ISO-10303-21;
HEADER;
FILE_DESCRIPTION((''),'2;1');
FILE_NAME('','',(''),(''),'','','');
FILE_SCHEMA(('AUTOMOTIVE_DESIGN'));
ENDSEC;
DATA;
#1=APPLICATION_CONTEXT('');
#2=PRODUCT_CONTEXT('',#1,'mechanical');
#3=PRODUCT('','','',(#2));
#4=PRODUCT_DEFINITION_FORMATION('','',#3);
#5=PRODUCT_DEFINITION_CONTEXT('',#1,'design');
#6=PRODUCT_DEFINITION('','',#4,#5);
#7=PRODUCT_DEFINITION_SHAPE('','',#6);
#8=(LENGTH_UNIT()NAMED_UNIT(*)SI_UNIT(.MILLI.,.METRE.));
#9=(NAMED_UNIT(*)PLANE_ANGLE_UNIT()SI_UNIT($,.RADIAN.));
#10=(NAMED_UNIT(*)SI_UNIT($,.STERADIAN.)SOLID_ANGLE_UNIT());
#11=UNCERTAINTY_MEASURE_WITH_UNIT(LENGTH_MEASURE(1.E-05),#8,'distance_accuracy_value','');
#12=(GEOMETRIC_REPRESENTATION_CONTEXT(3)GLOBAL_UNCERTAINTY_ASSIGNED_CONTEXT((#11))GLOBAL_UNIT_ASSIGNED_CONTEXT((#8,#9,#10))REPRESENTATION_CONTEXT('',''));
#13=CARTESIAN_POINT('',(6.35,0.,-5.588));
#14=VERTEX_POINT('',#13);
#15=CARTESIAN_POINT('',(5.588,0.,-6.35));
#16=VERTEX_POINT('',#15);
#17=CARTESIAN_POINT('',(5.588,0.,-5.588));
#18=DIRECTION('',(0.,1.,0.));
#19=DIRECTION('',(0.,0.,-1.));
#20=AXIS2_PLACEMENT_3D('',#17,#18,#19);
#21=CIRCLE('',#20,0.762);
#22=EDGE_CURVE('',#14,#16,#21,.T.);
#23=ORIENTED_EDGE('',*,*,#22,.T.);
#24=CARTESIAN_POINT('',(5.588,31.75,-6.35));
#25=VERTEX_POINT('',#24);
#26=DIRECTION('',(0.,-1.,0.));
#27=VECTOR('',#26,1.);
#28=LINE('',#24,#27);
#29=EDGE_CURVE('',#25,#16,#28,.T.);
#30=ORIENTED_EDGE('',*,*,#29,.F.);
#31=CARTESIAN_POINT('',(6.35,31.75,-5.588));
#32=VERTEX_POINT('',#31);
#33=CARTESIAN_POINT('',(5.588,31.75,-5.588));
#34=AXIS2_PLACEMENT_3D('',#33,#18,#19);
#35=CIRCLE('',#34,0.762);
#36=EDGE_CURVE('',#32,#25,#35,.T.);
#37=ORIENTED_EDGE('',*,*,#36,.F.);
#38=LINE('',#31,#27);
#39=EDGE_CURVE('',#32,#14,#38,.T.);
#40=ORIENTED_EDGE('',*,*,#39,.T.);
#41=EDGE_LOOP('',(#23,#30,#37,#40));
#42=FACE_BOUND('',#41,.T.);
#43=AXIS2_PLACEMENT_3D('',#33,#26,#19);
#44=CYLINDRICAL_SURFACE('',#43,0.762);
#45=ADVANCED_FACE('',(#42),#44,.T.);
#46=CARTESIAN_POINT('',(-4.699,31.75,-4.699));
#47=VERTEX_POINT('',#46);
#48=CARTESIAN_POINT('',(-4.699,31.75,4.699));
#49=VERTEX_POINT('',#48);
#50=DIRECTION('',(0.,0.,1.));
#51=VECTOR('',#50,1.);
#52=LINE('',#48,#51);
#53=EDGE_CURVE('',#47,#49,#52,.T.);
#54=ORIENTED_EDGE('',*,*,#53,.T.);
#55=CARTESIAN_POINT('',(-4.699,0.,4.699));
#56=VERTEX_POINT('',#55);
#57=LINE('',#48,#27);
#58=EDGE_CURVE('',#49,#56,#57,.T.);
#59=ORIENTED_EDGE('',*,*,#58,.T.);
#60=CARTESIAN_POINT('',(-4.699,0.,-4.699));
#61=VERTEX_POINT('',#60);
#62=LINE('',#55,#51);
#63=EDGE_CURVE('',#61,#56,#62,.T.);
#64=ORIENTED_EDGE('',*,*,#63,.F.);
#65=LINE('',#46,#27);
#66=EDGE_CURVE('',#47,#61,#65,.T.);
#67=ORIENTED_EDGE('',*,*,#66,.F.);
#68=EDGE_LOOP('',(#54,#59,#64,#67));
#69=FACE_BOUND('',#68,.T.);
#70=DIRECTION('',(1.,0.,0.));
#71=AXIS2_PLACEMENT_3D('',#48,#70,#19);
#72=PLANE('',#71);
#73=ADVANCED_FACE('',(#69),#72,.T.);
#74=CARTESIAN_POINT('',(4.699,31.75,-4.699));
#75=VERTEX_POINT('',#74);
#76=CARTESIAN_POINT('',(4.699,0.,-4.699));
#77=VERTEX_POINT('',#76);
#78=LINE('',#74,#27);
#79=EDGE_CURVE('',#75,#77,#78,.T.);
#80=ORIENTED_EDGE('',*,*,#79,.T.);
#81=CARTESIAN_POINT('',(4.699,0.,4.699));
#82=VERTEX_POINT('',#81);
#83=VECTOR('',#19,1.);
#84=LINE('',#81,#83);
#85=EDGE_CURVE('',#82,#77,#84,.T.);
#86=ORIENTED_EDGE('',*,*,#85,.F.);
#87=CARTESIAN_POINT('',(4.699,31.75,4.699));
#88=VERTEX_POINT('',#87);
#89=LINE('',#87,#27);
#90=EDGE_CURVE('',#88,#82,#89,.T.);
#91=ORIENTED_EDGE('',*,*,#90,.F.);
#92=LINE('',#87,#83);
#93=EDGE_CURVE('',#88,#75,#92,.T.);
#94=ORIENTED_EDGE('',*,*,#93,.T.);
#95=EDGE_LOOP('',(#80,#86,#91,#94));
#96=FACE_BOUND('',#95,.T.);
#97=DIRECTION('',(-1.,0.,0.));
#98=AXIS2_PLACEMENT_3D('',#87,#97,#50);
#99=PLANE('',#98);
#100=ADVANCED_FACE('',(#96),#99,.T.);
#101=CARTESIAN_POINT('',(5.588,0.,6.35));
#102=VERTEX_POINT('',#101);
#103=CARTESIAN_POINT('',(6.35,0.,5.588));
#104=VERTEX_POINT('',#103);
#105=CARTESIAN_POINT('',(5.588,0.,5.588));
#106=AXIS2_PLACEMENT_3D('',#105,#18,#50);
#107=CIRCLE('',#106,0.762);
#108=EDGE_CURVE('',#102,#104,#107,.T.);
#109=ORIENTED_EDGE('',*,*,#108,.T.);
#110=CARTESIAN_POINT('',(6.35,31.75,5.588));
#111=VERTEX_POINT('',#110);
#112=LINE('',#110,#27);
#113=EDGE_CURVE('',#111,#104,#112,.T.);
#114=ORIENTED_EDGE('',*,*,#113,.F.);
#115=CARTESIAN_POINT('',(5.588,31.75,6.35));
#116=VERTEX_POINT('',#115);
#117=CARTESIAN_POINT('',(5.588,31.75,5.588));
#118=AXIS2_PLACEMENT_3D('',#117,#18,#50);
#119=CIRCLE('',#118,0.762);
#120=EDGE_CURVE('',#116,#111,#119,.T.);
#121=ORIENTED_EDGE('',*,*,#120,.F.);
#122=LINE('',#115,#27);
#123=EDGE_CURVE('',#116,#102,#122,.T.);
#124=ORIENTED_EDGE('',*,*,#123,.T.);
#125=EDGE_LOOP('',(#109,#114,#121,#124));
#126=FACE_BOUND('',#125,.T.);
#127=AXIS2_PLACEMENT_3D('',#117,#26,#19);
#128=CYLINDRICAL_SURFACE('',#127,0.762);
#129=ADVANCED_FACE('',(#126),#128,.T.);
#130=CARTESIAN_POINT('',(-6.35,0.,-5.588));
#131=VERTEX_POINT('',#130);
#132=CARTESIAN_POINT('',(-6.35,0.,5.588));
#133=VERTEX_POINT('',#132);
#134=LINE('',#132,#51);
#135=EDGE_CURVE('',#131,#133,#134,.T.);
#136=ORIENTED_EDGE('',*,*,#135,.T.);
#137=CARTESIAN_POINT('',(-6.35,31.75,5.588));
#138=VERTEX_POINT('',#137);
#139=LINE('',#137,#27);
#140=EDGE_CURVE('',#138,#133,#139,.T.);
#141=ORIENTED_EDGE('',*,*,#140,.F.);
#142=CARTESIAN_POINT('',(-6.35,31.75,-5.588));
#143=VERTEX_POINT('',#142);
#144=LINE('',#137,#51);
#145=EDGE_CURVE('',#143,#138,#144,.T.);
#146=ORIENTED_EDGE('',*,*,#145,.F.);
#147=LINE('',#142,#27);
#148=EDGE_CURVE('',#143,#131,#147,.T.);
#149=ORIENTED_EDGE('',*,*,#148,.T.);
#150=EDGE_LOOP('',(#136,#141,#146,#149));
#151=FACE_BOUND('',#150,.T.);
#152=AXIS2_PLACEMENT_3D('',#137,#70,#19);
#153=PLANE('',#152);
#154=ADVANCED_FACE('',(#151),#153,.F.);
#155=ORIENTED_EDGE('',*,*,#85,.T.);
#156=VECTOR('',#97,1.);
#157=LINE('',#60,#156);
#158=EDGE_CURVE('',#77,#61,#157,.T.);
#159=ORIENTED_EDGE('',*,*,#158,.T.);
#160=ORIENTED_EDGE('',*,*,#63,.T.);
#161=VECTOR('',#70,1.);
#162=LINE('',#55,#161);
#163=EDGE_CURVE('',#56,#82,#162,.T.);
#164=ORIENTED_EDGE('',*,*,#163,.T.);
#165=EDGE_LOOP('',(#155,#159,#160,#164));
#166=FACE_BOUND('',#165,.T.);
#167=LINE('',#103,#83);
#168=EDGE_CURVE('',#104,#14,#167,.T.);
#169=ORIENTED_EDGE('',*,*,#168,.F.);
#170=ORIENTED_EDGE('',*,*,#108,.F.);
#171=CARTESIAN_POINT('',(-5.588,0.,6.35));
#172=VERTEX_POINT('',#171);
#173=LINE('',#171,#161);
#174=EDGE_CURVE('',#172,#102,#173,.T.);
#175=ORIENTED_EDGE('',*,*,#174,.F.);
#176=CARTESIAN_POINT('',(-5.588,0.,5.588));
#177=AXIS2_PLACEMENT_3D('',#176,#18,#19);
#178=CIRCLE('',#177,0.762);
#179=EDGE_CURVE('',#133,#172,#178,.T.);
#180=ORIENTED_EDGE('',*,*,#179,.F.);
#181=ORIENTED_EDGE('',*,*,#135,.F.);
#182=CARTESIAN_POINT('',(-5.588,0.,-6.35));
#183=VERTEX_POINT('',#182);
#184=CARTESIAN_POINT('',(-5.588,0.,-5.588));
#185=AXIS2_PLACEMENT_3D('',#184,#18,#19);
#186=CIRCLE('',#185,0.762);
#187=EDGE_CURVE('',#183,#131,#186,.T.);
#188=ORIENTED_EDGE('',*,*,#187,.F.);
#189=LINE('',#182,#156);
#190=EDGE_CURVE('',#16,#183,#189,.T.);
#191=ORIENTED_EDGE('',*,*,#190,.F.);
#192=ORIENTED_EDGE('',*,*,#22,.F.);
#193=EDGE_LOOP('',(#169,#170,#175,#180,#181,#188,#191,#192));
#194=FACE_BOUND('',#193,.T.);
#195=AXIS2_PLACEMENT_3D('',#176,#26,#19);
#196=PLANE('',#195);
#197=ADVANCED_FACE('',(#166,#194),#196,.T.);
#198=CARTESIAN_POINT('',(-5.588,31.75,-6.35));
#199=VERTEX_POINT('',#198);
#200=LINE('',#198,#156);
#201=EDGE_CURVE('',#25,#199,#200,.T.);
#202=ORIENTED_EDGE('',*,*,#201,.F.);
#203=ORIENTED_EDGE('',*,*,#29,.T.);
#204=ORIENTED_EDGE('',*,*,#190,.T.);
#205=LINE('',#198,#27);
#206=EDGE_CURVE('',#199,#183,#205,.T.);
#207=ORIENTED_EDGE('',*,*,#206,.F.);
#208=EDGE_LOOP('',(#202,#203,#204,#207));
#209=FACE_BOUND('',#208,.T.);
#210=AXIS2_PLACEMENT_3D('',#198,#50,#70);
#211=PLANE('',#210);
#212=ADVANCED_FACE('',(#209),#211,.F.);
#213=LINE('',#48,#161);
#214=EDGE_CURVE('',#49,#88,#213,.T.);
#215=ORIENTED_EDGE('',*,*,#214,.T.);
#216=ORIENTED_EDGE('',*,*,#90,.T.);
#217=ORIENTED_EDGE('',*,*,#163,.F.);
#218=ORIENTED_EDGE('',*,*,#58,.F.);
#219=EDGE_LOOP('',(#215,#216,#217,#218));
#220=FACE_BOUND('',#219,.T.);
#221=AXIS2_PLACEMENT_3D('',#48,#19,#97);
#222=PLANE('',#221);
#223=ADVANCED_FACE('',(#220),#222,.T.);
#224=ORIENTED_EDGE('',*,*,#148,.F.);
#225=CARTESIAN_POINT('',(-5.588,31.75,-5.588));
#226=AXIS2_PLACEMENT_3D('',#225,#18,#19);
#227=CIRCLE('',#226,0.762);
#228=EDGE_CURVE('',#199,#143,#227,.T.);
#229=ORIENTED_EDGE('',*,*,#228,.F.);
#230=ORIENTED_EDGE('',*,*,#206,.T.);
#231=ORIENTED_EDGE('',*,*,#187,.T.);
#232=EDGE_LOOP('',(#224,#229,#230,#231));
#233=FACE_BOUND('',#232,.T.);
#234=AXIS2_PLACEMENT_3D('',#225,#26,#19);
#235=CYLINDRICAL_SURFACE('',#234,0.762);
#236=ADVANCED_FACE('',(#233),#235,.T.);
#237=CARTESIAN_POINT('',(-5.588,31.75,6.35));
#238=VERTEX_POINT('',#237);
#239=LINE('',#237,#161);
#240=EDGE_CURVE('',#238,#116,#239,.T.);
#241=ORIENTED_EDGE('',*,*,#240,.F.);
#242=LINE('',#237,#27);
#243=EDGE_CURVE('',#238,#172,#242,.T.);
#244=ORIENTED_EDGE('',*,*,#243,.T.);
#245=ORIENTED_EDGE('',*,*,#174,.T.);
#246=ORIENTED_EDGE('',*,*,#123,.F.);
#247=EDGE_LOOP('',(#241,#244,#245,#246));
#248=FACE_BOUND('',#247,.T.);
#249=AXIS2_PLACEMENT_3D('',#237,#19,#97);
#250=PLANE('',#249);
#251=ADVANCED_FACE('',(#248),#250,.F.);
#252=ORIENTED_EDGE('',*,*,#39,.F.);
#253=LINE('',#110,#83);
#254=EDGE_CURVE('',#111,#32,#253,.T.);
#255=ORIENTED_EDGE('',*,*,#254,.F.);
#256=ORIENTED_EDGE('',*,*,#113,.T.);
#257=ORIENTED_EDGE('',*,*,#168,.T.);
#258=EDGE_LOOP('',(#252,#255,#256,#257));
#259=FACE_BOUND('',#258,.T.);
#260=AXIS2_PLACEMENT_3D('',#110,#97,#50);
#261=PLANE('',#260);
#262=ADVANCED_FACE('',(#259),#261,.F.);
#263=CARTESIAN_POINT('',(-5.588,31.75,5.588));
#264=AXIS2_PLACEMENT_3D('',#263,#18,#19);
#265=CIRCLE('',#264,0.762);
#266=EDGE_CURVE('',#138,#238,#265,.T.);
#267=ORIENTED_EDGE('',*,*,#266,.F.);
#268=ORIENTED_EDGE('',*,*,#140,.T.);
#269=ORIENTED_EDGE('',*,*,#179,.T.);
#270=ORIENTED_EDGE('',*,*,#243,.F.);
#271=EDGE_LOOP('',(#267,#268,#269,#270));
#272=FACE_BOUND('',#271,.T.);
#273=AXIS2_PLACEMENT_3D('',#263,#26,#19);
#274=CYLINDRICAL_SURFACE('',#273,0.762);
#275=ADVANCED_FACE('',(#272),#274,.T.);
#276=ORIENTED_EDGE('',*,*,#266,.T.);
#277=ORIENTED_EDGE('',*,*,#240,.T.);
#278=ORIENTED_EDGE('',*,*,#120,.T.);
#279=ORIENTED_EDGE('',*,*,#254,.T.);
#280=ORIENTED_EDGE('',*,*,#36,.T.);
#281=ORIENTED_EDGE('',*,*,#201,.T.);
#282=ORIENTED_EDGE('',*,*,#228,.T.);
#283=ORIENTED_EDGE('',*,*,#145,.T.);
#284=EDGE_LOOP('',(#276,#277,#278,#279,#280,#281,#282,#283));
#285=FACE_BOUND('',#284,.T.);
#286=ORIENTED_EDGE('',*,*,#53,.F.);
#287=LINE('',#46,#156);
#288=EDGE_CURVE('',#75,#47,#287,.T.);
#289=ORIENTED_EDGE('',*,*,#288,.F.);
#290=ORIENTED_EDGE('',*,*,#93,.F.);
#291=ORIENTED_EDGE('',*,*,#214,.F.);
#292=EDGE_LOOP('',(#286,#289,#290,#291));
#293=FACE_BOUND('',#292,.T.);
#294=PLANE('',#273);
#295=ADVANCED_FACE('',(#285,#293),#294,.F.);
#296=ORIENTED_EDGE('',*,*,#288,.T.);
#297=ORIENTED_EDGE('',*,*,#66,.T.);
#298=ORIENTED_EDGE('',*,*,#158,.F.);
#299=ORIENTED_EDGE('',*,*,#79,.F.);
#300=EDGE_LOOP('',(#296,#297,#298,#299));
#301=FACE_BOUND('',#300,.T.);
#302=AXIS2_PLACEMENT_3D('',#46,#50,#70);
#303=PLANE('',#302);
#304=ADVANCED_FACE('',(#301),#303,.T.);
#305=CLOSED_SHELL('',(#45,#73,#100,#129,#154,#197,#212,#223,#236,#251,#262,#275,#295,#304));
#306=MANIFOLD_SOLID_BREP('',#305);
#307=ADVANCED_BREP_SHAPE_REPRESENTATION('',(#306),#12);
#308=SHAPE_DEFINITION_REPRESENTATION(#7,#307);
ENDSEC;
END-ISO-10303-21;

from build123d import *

# Parameters (mm, degrees)
SKETCH1_W           = 9.398
SKETCH1_H           = 9.398
BOSS_EXTRUDE1_DEPTH = 31.75


with BuildPart() as part:
    # Sketch1 → Boss-Extrude1 (new body)
    with BuildSketch(Plane(origin=(0, 0, 0), x_dir=(1, 0, 0), z_dir=(0, 1, 0))):
        with BuildLine():
            Line((-5.588, -6.35), (5.588, -6.35))
            ThreePointArc((5.588, -6.35), (6.126815367, -6.126815367), (6.35, -5.588))
            Line((6.35, -5.588), (6.35, 5.588))
            ThreePointArc((6.35, 5.588), (6.126815367, 6.126815367), (5.588, 6.35))
            Line((5.588, 6.35), (-5.588, 6.35))
            ThreePointArc((-5.588, 6.35), (-6.126815367, 6.126815367), (-6.35, 5.588))
            Line((-6.35, 5.588), (-6.35, -5.588))
            ThreePointArc((-6.35, -5.588), (-6.126815367, -6.126815367), (-5.588, -6.35))
        make_face()
        Rectangle(SKETCH1_W, SKETCH1_H, mode=Mode.SUBTRACT)
    extrude(amount=BOSS_EXTRUDE1_DEPTH)


solid = part.part
